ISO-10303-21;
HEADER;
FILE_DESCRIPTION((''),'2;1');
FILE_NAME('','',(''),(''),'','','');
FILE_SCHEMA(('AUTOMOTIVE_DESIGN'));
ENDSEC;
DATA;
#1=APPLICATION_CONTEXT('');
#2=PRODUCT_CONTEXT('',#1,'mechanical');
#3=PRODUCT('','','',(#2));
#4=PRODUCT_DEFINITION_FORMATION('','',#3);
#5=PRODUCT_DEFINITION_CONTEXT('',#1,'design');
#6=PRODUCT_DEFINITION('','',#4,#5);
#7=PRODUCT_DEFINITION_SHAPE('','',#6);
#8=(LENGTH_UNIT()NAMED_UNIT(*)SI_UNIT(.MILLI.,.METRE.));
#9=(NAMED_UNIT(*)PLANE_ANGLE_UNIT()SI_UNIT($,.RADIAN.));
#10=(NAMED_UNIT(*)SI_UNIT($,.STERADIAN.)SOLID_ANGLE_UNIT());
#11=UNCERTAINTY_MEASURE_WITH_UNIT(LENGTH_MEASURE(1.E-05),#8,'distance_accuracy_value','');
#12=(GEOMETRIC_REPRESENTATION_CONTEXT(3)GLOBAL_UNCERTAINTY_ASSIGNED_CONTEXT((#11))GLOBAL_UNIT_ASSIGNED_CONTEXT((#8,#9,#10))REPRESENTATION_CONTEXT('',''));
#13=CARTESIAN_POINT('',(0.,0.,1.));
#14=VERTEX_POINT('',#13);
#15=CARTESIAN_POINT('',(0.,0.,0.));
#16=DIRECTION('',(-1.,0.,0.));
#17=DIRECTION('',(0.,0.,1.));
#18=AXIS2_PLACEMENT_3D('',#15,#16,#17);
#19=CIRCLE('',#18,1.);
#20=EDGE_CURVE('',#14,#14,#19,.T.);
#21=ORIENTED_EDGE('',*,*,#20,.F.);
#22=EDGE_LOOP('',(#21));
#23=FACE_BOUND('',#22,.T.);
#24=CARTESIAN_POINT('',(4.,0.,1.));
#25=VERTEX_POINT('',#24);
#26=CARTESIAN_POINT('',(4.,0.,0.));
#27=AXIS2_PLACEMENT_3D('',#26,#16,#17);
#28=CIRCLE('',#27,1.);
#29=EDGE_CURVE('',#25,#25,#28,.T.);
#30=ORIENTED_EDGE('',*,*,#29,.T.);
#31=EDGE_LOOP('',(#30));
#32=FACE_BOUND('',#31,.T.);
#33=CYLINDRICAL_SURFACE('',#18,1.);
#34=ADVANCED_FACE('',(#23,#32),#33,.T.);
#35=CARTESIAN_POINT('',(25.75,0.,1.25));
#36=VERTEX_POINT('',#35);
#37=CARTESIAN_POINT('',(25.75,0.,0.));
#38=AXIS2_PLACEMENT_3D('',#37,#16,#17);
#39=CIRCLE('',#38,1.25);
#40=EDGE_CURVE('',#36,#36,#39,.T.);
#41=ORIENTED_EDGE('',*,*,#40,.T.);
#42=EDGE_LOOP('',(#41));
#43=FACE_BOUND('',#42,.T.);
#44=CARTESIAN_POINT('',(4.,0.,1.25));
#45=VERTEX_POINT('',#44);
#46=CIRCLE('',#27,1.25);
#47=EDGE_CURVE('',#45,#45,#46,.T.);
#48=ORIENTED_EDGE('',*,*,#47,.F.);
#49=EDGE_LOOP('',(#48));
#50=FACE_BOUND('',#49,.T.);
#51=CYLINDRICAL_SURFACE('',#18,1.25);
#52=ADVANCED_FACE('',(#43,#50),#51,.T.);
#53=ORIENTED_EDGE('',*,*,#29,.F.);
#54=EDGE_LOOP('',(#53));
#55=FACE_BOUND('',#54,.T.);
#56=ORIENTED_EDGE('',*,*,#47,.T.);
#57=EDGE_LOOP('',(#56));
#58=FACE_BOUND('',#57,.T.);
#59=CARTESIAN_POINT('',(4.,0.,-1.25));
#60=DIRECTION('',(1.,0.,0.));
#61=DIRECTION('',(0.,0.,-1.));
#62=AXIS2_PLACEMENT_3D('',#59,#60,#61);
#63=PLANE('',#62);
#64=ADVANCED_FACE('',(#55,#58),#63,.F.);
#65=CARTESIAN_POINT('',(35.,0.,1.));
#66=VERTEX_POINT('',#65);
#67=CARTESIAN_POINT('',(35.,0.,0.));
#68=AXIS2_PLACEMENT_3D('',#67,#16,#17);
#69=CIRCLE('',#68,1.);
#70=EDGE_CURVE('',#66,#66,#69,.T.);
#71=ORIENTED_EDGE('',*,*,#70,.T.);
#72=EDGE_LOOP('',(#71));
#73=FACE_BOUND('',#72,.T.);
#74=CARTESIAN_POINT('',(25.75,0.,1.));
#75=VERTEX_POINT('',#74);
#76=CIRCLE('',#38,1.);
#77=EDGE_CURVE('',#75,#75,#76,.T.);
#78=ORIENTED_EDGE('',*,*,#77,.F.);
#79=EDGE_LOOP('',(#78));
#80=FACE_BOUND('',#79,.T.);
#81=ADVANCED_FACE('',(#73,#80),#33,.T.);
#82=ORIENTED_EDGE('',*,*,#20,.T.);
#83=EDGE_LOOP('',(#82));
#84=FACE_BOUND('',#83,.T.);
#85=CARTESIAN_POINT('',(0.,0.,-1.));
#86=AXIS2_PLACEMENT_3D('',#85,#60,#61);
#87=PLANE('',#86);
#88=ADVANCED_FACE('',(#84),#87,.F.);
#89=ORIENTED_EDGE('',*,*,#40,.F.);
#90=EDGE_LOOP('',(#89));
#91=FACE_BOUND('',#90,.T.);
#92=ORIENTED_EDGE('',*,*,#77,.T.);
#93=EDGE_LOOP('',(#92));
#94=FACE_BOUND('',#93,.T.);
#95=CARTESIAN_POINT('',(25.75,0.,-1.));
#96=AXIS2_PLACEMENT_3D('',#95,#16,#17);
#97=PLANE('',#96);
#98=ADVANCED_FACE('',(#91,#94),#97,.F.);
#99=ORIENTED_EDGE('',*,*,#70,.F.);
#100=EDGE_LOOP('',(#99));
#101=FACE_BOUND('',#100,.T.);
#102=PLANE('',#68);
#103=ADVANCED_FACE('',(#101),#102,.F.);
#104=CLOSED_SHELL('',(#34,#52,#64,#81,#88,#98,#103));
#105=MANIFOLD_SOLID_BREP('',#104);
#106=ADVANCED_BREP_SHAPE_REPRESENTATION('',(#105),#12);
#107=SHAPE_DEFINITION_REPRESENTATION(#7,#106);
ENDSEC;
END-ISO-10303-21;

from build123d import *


with BuildPart() as part:
    # Sketch1 → Revolve1 (revolve)
    with BuildSketch(Plane(origin=(0, 0, 0), x_dir=(1, 0, 0), z_dir=(0, 1, 0)), mode=Mode.PRIVATE) as revolve1_sk:
        Polygon((0, 0), (35, 0), (35, 1), (25.75, 1), (25.75, 1.25), (4, 1.25), (4, 1), (0, 1), align=None)
    revolve(revolve1_sk.sketch.rotate(Axis((0, 0, 0), (1, 0, 0)), 180), axis=Axis((0, 0, 0), (1, 0, 0)))


solid = part.part
